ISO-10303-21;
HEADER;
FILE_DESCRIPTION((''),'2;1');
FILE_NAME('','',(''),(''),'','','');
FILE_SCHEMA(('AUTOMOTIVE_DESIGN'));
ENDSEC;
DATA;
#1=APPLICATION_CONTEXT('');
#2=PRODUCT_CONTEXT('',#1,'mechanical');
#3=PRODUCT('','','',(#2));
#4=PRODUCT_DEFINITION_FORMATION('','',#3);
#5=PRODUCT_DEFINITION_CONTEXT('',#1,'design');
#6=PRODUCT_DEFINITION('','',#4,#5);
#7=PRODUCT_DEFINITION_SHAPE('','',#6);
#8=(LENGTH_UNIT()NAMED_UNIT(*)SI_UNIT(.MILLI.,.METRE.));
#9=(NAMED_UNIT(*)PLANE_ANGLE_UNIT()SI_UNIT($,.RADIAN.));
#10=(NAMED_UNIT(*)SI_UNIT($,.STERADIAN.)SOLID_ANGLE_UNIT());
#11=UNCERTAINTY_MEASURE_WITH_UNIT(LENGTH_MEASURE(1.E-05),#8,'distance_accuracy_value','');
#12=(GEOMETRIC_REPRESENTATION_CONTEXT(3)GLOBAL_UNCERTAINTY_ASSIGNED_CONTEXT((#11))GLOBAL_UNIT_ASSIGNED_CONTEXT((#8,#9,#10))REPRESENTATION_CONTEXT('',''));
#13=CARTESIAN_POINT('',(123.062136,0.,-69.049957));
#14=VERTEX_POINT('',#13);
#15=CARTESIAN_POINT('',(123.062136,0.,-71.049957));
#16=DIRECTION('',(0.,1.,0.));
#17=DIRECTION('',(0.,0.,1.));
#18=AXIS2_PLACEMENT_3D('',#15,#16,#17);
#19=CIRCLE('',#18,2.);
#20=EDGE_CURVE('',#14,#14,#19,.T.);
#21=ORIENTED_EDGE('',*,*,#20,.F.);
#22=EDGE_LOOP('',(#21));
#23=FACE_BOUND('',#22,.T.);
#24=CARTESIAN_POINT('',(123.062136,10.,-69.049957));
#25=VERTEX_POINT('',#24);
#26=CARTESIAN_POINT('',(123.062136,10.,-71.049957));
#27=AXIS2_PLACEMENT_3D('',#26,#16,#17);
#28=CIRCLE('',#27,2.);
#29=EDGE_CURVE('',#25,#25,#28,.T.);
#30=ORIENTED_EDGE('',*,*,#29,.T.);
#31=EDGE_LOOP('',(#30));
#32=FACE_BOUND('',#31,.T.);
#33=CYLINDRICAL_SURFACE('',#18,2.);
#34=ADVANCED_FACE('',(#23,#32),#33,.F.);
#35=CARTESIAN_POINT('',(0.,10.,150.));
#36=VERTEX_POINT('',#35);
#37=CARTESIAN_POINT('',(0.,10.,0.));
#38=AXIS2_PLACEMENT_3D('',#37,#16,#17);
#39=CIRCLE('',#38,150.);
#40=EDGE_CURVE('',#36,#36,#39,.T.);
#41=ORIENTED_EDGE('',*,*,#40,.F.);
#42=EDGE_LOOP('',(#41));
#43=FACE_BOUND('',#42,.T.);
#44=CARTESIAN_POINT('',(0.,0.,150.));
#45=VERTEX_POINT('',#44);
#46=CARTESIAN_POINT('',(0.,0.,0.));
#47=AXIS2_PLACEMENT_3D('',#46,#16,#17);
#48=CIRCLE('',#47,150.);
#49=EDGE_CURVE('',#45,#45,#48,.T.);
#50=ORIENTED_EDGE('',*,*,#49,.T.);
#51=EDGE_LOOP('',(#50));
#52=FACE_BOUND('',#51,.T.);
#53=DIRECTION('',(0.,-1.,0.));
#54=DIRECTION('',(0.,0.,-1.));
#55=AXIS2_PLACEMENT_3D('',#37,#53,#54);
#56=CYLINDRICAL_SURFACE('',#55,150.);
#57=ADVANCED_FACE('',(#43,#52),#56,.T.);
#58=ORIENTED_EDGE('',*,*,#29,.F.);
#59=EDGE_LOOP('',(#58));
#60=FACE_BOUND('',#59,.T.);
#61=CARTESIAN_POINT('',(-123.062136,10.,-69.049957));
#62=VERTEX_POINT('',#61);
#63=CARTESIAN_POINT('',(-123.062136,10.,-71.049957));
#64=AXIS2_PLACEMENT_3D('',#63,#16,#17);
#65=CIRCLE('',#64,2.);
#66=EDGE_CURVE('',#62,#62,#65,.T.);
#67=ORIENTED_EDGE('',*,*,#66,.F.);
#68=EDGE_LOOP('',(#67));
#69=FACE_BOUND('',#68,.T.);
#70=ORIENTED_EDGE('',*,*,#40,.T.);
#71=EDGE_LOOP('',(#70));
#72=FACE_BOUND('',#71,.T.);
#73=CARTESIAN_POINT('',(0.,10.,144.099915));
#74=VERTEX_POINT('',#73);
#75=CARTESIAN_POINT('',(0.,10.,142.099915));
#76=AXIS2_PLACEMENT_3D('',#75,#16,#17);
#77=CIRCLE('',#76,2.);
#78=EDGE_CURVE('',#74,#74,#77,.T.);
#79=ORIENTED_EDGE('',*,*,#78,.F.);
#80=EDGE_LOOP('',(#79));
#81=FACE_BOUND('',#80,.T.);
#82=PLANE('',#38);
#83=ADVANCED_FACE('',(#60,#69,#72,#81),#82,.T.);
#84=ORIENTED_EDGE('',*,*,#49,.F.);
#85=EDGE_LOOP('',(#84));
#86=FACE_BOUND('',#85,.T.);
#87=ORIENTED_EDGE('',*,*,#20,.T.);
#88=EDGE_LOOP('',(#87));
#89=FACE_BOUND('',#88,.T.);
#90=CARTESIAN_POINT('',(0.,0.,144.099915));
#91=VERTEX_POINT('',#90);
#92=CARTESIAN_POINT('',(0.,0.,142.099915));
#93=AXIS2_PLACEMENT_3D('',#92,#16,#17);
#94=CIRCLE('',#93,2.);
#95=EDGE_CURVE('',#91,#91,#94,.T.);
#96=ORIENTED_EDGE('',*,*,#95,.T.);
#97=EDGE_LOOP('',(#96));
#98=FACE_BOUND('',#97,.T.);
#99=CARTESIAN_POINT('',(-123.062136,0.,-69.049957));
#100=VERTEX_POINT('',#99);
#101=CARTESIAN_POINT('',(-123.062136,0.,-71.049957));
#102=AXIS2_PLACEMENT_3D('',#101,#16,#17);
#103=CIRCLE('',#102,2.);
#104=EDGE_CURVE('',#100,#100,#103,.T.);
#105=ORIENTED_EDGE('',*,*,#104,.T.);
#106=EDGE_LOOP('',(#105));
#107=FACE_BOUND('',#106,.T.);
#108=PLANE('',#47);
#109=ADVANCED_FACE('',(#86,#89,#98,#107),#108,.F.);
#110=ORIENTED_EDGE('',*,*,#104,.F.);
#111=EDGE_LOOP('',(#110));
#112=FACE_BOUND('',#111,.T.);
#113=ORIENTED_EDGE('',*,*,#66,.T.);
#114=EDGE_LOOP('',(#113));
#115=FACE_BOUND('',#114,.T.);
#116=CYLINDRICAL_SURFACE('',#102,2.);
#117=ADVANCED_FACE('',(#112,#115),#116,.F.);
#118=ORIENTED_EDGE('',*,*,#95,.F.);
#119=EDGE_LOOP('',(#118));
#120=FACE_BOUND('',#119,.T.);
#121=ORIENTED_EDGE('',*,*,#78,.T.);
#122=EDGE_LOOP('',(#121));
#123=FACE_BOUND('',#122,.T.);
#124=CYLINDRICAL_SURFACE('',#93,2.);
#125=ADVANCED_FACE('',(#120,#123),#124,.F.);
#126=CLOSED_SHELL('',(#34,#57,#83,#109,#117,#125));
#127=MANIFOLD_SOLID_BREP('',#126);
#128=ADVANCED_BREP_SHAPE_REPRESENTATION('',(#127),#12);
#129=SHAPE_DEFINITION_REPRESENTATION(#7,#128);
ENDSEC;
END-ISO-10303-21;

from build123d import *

# Parameters (mm, degrees)
SKETCH1_R           = 150
BOSS_EXTRUDE1_DEPTH = 10
SKETCH2_R           = 2
CUT_EXTRUDE1_DEPTH  = 10


with BuildPart() as part:
    # Sketch1 → Boss-Extrude1 (new body)
    with BuildSketch(Plane(origin=(0, 0, 0), x_dir=(1, 0, 0), z_dir=(0, 1, 0))):
        with Locations(Location((0, 0, 0), (0, 0, 270))):
            Circle(SKETCH1_R)
    extrude(amount=BOSS_EXTRUDE1_DEPTH)

    # Sketch2 → Cut-Extrude1 (cut)
    with BuildSketch(Plane(origin=(0, 10, 0), x_dir=(1, 0, 0), z_dir=(0, 1, 0))):
        with Locations(Location((-123.062136008, 71.049957351, 0), (0, 0, 270))):
            Circle(SKETCH2_R)
        with Locations(Location((123.062136008, 71.049957351, 0), (0, 0, 270))):
            Circle(SKETCH2_R)
        with Locations(Location((0, -142.099914702, 0), (0, 0, 270))):
            Circle(SKETCH2_R)
    extrude(amount=-CUT_EXTRUDE1_DEPTH, mode=Mode.SUBTRACT)


solid = part.part
